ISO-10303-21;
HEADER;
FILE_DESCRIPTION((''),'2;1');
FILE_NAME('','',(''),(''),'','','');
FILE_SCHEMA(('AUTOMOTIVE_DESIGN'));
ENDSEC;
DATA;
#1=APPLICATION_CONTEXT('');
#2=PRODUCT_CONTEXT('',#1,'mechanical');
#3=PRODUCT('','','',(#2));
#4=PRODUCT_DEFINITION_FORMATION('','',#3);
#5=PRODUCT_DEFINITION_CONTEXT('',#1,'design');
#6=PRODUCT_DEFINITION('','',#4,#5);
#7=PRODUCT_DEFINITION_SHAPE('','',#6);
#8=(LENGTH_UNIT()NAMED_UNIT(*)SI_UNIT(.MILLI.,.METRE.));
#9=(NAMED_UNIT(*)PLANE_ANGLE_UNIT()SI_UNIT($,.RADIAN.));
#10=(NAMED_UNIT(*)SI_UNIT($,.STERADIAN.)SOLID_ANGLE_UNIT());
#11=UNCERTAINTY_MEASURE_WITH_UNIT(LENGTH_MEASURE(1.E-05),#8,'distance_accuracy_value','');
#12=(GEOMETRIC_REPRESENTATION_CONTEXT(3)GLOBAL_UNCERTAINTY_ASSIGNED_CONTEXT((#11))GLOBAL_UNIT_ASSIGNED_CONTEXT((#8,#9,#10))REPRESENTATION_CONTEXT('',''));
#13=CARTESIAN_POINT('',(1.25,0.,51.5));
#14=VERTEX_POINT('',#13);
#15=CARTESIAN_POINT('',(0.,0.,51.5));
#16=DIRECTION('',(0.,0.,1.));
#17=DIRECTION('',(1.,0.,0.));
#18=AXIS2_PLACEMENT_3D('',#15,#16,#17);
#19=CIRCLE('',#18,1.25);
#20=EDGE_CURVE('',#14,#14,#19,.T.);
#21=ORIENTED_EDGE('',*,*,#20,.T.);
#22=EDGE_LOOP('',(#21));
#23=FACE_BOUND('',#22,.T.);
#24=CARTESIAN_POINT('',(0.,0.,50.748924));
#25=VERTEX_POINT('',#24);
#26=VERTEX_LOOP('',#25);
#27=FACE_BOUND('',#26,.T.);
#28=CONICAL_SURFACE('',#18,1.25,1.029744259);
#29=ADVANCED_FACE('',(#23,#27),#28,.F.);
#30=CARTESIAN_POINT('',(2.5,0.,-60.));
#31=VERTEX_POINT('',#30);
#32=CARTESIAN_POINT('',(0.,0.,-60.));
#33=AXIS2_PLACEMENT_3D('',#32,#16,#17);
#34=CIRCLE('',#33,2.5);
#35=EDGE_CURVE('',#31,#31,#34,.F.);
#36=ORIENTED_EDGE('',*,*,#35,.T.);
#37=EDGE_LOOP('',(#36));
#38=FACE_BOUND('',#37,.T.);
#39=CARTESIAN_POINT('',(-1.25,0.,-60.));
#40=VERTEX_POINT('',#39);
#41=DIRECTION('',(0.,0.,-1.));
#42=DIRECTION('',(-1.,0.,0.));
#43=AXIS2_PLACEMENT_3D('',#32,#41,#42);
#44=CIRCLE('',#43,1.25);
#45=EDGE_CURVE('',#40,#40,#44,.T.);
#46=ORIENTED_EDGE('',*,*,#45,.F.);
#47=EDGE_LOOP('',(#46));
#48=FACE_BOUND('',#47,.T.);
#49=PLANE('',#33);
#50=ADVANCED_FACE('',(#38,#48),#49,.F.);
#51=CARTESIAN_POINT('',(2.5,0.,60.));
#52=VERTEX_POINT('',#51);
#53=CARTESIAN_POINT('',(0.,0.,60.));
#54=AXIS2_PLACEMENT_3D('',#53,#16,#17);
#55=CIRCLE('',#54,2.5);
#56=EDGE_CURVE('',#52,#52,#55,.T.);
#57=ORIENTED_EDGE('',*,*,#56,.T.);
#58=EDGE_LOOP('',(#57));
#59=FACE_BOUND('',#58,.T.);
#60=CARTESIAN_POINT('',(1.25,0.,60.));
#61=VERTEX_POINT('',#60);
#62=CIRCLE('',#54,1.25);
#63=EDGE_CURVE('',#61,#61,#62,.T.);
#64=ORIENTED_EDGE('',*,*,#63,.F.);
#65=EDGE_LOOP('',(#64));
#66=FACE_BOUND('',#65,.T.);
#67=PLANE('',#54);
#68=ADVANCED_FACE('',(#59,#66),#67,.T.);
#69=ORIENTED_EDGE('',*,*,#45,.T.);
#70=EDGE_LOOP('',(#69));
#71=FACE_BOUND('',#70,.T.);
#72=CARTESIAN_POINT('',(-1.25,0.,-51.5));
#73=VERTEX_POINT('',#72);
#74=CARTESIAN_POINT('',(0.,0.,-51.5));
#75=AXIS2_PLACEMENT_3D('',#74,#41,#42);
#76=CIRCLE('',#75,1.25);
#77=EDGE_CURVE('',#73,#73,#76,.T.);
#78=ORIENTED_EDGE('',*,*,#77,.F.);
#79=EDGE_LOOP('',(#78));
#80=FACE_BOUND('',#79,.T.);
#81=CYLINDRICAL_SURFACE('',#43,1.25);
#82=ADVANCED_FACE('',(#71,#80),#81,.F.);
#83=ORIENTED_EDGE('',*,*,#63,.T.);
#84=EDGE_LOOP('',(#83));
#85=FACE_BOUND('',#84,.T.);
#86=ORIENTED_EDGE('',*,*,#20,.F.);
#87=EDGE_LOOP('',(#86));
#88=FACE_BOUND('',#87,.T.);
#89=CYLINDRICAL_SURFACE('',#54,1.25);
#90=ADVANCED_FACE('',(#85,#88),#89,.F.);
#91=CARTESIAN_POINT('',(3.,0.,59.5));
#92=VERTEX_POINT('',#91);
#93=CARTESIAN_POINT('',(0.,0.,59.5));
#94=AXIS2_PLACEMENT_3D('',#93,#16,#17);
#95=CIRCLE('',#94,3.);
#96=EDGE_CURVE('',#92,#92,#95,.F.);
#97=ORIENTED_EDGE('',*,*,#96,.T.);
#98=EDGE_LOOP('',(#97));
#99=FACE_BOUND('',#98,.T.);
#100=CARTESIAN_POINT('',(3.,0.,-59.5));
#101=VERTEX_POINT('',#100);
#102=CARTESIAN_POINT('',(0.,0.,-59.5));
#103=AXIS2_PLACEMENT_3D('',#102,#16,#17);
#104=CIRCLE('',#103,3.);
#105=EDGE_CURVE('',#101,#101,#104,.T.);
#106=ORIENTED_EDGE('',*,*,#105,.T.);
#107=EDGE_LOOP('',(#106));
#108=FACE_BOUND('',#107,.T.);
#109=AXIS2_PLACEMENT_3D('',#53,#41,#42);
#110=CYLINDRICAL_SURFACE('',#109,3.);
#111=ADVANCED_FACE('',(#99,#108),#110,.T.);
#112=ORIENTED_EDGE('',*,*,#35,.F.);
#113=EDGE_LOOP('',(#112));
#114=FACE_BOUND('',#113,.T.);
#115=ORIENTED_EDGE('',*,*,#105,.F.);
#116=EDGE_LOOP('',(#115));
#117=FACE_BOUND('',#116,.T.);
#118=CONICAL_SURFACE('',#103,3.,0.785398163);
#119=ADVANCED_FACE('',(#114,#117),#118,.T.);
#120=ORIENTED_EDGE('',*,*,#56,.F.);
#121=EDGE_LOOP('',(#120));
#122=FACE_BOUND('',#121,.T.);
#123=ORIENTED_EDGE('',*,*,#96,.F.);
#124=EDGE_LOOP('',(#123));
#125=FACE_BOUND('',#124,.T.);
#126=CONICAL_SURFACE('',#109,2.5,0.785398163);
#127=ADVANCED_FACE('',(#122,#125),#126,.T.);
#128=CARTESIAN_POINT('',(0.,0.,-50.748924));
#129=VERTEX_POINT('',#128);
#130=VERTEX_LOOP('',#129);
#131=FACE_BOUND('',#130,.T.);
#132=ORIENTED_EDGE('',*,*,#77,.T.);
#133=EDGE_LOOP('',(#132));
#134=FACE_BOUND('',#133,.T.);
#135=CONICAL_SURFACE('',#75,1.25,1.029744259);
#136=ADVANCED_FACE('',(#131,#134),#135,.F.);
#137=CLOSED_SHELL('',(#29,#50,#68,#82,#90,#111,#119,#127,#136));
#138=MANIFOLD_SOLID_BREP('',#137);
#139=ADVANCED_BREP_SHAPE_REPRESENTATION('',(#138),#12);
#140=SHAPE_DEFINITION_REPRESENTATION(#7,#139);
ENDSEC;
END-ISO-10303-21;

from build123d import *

# Parameters (mm, degrees)
SKETCH_1_R      = 3
EXTRUDE_1_DEPTH = 60
CHAMFER_1_SIZE  = 0.5


with BuildPart() as part:
    # ｽｹｯﾁ1 → ﾎﾞｽ - 押し出し1 (new, symmetric)
    with BuildSketch(Plane.XY):
        Circle(SKETCH_1_R)
    extrude(amount=EXTRUDE_1_DEPTH, both=True)

    # 面取り1
    chamfer_1_edges = [part.edges().sort_by_distance(p)[0] for p in [
        (-3, 0, -60),
        (-3, 0, 60),
    ]]
    chamfer(chamfer_1_edges, length=CHAMFER_1_SIZE)

    # ｽｹｯﾁ3 → M3 ねじ穴1 (revolve, cut)
    with BuildSketch(Plane(origin=(0, 0, 60), x_dir=(0, -1, 0), z_dir=(1, 0, 0))):
        Polygon((0, 0), (0, 9.251075774), (1.25, 8.5), (1.25, 0), align=None)
    hole_wizard_m3_1 = revolve(axis=Axis((0, 0, 66.35), (0, 0, -1)), mode=Mode.SUBTRACT)

    # ﾐﾗｰ1: M3 ねじ穴1 across plane
    add(hole_wizard_m3_1.mirror(Plane.XY), mode=Mode.SUBTRACT)


solid = part.part
